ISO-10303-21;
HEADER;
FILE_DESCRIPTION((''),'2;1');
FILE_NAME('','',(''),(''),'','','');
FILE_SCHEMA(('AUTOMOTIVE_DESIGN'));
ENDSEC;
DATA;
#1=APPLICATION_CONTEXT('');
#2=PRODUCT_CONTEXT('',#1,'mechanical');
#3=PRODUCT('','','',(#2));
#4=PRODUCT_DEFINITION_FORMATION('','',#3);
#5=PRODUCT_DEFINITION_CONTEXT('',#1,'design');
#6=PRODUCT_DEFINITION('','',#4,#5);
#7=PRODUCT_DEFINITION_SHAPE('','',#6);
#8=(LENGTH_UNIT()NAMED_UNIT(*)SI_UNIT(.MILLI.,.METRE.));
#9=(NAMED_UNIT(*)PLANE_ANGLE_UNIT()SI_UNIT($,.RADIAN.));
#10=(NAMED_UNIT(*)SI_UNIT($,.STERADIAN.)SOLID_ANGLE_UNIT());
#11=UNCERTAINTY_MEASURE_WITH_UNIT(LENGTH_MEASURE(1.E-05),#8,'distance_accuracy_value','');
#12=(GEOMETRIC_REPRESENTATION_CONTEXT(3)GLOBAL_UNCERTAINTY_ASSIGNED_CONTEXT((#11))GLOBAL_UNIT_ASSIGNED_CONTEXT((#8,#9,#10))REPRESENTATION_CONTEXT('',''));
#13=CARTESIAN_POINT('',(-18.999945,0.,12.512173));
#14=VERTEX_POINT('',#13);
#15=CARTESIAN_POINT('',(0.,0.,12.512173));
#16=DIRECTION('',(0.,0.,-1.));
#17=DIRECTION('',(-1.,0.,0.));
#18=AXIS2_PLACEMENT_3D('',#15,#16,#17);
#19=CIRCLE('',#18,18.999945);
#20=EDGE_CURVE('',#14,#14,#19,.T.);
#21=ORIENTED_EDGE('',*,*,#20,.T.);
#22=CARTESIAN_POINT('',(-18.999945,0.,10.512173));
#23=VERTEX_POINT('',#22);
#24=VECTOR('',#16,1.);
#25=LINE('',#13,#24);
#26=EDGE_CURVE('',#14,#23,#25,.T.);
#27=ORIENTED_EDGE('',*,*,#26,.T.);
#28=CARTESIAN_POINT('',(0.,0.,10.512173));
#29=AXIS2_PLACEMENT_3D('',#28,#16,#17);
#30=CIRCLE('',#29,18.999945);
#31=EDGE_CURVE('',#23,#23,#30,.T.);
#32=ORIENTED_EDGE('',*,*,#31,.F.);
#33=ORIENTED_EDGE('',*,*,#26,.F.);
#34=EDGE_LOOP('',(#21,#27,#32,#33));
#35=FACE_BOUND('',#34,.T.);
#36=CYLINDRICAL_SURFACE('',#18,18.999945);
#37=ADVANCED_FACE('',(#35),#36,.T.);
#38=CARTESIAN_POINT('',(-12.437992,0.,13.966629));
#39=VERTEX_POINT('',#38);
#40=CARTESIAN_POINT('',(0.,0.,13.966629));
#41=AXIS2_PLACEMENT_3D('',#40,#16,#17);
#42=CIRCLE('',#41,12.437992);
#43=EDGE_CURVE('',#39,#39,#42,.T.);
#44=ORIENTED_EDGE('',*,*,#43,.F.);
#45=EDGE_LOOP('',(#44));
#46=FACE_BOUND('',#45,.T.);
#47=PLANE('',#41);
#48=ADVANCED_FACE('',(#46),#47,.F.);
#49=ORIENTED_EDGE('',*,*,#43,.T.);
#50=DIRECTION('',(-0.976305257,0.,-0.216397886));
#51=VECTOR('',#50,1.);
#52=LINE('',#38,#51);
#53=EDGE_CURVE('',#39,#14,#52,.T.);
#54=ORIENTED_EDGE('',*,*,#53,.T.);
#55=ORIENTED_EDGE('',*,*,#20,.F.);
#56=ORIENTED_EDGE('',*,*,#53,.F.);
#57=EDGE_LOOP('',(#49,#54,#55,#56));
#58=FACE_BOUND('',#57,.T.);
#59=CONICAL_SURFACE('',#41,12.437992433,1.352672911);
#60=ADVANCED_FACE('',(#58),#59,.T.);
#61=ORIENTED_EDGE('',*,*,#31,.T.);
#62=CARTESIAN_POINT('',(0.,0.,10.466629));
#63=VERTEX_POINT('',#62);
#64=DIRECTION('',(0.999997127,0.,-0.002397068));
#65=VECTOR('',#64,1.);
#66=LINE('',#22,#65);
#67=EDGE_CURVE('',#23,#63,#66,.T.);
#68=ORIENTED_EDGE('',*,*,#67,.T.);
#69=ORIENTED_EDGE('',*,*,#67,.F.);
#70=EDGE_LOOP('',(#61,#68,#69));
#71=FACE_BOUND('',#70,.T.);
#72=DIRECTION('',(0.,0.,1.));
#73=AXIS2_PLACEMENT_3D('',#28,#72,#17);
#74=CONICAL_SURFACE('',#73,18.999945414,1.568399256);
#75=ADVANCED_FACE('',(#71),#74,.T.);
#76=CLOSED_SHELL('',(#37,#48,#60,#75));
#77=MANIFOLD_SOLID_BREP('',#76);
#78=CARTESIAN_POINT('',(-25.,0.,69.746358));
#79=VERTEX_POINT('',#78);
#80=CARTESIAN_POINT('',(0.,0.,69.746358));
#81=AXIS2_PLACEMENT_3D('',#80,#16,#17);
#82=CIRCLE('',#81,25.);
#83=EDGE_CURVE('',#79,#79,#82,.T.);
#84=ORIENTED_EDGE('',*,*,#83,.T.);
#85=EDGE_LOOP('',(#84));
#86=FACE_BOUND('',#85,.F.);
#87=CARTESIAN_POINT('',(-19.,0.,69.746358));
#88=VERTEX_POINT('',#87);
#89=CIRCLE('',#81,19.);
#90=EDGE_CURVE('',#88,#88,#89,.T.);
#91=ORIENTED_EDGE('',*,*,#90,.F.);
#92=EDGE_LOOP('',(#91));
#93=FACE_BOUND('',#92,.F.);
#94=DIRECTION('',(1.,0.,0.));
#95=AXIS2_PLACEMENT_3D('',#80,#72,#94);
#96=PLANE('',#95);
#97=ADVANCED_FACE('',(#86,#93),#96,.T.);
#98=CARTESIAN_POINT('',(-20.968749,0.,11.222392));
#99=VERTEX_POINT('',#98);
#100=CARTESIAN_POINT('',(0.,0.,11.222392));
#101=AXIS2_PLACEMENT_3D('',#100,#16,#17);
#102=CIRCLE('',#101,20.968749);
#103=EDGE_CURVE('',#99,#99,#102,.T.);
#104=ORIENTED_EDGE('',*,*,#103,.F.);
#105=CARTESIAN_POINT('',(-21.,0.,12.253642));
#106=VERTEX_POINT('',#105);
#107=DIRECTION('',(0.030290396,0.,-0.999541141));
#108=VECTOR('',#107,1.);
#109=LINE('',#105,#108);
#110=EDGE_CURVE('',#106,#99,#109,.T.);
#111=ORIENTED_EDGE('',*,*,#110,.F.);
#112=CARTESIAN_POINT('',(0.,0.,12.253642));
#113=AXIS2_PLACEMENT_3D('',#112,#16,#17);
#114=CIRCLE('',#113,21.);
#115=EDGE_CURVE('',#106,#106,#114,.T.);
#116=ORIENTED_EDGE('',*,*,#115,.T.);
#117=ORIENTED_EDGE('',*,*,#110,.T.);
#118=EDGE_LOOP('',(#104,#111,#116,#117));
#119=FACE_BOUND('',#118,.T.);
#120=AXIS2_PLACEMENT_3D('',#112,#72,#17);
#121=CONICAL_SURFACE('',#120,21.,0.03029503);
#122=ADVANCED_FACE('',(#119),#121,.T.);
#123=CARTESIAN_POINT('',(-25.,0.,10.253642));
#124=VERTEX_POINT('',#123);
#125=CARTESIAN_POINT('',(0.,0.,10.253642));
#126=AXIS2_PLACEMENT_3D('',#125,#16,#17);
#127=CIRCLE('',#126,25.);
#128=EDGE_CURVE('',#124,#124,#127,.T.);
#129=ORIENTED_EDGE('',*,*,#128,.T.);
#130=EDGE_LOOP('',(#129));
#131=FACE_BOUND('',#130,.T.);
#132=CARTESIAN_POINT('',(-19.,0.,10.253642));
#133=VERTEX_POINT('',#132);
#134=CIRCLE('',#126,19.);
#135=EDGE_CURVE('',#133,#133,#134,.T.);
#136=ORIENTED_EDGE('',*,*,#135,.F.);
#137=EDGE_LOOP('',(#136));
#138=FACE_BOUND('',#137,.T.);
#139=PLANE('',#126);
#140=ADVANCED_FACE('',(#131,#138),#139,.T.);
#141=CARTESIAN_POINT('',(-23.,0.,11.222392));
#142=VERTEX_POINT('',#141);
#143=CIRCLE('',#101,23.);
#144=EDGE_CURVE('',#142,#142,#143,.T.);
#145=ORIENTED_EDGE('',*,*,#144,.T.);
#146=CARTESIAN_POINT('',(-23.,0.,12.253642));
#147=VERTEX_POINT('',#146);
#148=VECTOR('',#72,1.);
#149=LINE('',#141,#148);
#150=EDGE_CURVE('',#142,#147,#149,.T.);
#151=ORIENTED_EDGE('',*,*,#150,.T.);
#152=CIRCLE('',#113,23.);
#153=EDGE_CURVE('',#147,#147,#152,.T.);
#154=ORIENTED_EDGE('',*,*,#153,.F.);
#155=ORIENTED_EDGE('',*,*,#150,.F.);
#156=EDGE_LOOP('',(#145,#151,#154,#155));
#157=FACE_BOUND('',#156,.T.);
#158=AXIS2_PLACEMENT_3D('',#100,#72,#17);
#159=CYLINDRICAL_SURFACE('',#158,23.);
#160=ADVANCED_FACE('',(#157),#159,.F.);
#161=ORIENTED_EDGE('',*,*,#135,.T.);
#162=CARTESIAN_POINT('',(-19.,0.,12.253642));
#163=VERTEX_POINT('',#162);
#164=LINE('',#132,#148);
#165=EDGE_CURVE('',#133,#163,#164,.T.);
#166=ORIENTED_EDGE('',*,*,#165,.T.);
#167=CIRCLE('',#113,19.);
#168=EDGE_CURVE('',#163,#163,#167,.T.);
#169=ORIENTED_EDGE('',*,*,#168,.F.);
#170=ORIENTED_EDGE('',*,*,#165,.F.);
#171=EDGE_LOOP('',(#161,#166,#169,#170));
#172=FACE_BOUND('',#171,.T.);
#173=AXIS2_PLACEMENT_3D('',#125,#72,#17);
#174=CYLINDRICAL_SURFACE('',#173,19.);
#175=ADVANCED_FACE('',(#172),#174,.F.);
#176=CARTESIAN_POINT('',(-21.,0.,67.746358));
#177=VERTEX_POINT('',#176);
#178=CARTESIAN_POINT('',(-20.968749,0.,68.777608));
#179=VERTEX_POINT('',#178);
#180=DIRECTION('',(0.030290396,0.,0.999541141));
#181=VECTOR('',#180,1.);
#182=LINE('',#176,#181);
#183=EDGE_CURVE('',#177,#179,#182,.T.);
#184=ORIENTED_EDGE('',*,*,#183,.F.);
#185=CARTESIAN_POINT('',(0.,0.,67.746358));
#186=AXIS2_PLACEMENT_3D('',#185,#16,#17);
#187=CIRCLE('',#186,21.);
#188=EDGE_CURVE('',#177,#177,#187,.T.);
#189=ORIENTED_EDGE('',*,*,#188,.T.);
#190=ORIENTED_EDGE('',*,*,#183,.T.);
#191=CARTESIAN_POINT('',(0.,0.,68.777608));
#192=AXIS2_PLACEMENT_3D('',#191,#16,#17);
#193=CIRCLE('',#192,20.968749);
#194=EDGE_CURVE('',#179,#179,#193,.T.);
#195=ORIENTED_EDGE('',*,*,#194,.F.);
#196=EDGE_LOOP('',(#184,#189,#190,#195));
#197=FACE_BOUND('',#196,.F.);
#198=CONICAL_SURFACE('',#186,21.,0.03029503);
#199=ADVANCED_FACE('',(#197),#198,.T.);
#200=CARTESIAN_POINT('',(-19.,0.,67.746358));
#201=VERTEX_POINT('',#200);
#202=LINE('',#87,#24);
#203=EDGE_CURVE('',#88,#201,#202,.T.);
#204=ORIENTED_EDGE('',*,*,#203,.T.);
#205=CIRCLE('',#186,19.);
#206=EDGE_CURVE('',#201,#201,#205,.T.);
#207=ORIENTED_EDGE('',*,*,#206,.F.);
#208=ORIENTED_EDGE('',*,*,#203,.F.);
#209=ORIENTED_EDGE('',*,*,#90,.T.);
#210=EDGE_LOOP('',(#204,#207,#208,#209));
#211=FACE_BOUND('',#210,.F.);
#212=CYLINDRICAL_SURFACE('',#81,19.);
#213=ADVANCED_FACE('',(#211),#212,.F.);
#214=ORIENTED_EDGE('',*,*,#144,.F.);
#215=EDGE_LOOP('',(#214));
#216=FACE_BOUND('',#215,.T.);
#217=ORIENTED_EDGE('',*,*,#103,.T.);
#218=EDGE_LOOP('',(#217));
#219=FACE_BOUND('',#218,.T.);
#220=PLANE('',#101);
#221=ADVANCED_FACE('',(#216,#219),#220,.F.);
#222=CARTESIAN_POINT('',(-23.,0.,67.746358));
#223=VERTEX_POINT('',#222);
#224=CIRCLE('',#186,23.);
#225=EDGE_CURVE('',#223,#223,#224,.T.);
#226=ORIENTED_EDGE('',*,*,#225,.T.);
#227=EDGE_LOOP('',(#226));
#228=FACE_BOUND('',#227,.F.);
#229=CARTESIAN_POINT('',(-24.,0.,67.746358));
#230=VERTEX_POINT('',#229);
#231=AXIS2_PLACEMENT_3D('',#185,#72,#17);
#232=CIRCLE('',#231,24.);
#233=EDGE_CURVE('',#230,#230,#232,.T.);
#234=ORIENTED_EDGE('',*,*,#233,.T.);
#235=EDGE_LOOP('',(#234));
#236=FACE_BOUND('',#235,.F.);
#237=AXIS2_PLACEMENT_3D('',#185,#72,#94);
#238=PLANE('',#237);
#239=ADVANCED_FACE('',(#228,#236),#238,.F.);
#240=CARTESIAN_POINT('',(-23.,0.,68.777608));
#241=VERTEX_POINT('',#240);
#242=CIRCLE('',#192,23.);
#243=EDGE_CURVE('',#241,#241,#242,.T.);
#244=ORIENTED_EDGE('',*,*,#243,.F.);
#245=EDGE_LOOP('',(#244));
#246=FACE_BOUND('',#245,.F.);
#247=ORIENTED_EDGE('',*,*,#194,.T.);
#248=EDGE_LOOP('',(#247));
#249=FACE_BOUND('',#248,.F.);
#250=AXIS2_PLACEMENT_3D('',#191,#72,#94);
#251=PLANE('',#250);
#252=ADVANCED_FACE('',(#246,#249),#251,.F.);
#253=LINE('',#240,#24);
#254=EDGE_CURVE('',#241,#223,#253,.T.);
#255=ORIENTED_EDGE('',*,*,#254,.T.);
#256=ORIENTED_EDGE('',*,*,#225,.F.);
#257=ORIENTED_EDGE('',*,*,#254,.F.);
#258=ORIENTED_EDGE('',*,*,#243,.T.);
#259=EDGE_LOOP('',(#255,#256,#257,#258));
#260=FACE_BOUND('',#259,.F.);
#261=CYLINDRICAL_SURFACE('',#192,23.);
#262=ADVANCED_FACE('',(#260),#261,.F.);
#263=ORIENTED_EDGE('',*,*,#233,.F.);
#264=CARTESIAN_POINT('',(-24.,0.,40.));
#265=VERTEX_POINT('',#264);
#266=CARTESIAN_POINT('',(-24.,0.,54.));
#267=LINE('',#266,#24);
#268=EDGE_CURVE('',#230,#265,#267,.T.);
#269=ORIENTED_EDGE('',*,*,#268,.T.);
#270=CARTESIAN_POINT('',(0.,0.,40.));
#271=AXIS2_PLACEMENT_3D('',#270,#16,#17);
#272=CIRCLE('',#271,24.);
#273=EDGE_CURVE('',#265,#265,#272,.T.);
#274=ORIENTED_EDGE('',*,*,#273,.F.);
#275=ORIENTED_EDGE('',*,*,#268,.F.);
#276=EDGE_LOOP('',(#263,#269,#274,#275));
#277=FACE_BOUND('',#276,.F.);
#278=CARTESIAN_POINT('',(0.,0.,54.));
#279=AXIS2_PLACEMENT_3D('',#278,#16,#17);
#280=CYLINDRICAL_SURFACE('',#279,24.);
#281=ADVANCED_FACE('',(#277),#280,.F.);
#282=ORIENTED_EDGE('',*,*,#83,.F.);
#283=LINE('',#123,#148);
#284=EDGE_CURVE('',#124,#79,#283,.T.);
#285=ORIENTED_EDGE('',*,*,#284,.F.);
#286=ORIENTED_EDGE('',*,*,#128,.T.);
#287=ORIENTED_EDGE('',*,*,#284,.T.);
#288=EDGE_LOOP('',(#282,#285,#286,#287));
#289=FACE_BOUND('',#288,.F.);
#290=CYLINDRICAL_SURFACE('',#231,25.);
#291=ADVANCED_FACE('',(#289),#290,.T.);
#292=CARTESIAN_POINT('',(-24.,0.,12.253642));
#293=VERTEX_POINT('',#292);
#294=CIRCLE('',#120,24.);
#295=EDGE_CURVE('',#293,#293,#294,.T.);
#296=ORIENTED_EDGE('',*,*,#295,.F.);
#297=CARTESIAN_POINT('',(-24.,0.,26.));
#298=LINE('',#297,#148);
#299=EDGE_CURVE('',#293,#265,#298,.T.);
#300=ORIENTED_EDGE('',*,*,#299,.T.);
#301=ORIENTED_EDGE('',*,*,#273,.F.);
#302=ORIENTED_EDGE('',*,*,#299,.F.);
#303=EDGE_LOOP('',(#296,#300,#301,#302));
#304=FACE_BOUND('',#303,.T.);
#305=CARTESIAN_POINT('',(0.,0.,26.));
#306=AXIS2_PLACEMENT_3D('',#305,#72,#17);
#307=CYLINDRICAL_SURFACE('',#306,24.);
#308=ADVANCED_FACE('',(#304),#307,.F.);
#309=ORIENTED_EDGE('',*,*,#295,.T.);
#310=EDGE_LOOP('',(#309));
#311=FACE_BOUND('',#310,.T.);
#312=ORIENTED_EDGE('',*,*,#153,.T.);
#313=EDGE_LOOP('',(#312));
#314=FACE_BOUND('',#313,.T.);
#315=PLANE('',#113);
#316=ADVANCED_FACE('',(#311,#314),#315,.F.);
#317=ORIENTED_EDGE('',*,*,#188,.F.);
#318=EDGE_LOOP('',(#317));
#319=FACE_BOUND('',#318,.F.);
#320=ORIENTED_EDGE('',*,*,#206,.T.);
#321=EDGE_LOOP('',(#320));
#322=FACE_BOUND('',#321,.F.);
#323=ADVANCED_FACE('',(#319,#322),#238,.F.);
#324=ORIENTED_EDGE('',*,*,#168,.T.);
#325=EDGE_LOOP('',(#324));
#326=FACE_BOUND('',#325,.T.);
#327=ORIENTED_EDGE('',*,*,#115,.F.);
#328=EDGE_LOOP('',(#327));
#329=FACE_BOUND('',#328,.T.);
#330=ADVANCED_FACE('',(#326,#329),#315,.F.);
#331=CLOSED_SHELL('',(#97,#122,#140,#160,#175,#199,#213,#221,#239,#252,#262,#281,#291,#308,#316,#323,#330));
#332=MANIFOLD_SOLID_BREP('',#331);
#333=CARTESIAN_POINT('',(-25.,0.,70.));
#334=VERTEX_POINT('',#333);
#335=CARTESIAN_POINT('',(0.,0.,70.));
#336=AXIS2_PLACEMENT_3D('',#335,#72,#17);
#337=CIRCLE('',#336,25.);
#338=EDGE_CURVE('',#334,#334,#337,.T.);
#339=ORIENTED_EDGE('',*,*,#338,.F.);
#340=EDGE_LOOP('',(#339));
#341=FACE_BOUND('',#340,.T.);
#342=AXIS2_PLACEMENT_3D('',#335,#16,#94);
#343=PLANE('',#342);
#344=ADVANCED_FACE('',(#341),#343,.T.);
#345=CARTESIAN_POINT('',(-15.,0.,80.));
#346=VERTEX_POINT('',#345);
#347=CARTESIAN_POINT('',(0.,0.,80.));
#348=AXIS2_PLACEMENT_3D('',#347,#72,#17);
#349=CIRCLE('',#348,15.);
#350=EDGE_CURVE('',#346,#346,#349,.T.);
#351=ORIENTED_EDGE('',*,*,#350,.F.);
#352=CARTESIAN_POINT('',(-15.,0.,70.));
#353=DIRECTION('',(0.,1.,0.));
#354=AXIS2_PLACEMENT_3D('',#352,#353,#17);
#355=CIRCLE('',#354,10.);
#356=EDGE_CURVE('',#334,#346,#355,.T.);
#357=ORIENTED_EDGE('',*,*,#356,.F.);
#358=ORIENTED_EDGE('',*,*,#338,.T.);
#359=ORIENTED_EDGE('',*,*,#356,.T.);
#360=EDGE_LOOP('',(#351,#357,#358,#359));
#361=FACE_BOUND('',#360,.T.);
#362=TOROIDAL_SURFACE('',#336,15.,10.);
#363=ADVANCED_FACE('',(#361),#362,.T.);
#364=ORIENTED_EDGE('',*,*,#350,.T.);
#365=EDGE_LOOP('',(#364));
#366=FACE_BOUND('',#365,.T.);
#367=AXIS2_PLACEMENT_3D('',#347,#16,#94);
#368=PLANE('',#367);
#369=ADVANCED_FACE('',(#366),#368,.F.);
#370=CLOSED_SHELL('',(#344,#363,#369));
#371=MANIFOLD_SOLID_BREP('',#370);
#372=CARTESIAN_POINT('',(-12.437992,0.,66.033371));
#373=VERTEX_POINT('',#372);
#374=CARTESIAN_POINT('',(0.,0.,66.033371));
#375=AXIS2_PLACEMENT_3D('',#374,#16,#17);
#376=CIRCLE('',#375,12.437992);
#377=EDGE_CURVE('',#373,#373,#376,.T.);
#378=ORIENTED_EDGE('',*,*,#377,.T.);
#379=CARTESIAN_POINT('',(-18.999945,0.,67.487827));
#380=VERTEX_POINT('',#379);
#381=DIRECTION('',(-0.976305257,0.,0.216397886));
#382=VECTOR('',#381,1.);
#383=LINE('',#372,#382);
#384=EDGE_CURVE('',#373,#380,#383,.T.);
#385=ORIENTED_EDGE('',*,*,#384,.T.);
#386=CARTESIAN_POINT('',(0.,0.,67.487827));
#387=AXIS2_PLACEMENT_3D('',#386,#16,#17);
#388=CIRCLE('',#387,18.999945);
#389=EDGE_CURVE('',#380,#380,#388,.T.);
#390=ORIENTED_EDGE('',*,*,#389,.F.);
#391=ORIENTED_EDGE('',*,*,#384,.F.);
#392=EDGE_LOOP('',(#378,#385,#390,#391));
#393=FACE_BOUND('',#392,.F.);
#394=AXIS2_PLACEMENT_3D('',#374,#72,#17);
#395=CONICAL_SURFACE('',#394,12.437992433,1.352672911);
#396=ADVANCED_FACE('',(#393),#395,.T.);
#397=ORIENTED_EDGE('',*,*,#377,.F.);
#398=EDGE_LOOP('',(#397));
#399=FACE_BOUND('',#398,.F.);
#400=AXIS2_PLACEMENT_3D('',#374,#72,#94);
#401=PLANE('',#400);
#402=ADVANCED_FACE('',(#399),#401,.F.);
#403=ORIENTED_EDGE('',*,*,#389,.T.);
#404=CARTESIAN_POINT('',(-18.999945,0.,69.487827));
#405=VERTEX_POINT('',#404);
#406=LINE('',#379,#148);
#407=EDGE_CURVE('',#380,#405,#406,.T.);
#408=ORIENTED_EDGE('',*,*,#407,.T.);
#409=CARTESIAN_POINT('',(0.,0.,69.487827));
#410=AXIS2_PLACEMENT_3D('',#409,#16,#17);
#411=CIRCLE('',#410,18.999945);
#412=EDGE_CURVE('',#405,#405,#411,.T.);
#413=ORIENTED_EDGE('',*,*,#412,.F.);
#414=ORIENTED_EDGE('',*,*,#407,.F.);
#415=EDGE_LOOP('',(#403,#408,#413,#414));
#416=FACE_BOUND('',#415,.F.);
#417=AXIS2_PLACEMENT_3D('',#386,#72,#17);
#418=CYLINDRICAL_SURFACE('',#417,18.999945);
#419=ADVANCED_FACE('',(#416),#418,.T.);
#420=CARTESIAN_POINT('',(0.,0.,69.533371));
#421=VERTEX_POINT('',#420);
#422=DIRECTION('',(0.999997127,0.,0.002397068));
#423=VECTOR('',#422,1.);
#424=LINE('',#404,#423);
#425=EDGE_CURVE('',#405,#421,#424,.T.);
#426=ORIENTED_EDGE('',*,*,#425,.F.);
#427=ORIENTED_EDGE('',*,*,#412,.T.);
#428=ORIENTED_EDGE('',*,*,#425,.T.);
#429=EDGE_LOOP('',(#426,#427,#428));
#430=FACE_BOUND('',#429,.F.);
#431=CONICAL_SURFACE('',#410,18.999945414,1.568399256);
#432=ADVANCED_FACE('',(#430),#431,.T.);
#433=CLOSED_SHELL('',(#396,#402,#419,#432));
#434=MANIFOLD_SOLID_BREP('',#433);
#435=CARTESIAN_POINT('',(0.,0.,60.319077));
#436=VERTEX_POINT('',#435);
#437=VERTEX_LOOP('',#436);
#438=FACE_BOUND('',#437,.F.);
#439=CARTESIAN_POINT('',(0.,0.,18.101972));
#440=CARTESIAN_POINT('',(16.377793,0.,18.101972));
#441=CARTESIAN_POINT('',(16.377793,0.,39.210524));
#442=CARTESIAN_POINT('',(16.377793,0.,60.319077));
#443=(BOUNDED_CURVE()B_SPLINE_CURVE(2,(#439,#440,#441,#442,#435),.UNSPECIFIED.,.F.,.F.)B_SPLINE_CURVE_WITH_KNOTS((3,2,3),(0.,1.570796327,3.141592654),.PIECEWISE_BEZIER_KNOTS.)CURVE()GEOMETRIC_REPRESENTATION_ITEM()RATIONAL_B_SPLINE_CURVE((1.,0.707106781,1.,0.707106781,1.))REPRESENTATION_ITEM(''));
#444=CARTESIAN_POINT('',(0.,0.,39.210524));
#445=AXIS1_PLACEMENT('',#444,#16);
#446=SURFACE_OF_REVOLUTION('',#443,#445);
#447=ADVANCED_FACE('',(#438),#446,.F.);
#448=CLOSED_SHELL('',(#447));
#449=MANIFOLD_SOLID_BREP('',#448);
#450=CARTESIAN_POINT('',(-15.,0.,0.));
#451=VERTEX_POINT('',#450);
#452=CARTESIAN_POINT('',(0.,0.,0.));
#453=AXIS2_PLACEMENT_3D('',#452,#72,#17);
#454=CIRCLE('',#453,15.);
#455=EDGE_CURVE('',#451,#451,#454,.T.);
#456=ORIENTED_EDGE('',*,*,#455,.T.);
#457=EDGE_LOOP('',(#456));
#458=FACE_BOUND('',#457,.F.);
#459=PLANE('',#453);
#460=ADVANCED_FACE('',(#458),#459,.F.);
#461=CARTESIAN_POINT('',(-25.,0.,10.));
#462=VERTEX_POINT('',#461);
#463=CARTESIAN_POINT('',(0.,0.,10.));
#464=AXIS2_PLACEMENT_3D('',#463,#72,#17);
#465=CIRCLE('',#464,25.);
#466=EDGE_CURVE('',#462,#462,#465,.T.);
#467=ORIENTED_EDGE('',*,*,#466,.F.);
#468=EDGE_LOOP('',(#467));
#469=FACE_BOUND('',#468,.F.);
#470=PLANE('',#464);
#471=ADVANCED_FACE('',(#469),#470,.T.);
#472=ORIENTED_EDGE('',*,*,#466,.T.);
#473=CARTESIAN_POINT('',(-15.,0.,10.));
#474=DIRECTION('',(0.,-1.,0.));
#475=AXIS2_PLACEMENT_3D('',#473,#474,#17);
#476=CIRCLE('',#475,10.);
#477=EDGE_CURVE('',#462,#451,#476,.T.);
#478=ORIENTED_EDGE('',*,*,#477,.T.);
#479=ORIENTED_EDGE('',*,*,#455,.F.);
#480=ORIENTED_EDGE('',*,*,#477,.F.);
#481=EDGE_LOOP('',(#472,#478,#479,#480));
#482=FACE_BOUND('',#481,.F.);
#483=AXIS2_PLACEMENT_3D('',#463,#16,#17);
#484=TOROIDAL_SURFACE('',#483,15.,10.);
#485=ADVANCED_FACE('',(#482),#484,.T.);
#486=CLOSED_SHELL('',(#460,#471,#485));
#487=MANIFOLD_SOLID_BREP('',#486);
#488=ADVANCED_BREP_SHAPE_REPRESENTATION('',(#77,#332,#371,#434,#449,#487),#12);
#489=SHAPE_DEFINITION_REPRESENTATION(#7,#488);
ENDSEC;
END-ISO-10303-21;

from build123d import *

# Parameters (mm, degrees)
F6_W = 1
F6_H = 28


with BuildPart() as f1:
    # F0 (on Front) → F1 (revolve)
    with BuildSketch(Plane.XZ):
        with BuildLine():
            Line((-15, 0), (0, 0))
            Line((0, 0), (0, 10))
            Line((0, 10), (-25, 10))
            ThreePointArc((-25, 10), (-22.0710678119, 2.9289321881), (-15, 0))
        make_face()
    revolve(axis=Axis((0, 0, 5), (0, 0, 1)))


with BuildPart() as f3:
    # F2 (on Front) → F3 (revolve)
    with BuildSketch(Plane.XZ):
        Polygon((-25, 12.2536424099), (-25, 10.2536424099), (-19, 10.2536424099), (-19, 12.2536424099), (-21, 12.2536424099), (-20.9687486861, 11.2223923206), (-23, 11.2223923206), (-23, 12.2536424099), align=None)
    revolve(axis=Axis((0, 0, 2.7502607554), (0, 0, -1)))

    # F6 (on Front) → F7 (revolve)
    with BuildSketch(Plane.XZ):
        with Locations((-24.5, 26)):
            Rectangle(F6_W, F6_H)
    revolve(axis=Axis((0, 0, 2.59780325), (0, 0, -1)))

    # F9: F3 across face


with BuildPart() as f5:
    # F4 (on Front) → F5 (revolve)
    with BuildSketch(Plane.XZ):
        Polygon((-18.9999454135, 12.5121731708), (-18.9999454135, 10.5121731708), (0, 10.4666288788), (0, 13.9666288788), (-12.4379924331, 13.9666288788), align=None)
    revolve(axis=Axis((0, 0, 12.2166288788), (0, 0, -1)))


with BuildPart() as f8_1:
    # F8: instance of F5
    add(f5.part.mirror(Plane.XY.offset(40)))


with BuildPart() as f8_2:
    # F8: instance of F1
    add(f1.part.mirror(Plane.XY.offset(40)))


with BuildPart() as f3_1:
    add(f3.part)
    add(f3.part.mirror(Plane.XY.offset(40)))


with BuildPart() as f11:
    # F10 (on Front) → F11 (revolve)
    with BuildSketch(Plane.XZ):
        with BuildLine():
            Line((0, 60.3190772235), (0, 18.1019715965))
            add(Edge.make_bspline(
                [(0, 18.1019715965), (16.3777932577, 18.1019715965), (16.3777932577, 39.21052441), (16.3777932577, 60.3190772235), (0, 60.3190772235)],
                knots=[0, 0, 0, 1.5707963268, 1.5707963268, 3.1415926536, 3.1415926536, 3.1415926536], degree=2, weights=[1, 0.7071067812, 1, 0.7071067812, 1]))
        make_face()
    revolve(axis=Axis((0, 0, 39.21052441), (0, 0, -1)))


solid = Compound([f1.part, f5.part, f8_1.part, f8_2.part, f3_1.part, f11.part])
